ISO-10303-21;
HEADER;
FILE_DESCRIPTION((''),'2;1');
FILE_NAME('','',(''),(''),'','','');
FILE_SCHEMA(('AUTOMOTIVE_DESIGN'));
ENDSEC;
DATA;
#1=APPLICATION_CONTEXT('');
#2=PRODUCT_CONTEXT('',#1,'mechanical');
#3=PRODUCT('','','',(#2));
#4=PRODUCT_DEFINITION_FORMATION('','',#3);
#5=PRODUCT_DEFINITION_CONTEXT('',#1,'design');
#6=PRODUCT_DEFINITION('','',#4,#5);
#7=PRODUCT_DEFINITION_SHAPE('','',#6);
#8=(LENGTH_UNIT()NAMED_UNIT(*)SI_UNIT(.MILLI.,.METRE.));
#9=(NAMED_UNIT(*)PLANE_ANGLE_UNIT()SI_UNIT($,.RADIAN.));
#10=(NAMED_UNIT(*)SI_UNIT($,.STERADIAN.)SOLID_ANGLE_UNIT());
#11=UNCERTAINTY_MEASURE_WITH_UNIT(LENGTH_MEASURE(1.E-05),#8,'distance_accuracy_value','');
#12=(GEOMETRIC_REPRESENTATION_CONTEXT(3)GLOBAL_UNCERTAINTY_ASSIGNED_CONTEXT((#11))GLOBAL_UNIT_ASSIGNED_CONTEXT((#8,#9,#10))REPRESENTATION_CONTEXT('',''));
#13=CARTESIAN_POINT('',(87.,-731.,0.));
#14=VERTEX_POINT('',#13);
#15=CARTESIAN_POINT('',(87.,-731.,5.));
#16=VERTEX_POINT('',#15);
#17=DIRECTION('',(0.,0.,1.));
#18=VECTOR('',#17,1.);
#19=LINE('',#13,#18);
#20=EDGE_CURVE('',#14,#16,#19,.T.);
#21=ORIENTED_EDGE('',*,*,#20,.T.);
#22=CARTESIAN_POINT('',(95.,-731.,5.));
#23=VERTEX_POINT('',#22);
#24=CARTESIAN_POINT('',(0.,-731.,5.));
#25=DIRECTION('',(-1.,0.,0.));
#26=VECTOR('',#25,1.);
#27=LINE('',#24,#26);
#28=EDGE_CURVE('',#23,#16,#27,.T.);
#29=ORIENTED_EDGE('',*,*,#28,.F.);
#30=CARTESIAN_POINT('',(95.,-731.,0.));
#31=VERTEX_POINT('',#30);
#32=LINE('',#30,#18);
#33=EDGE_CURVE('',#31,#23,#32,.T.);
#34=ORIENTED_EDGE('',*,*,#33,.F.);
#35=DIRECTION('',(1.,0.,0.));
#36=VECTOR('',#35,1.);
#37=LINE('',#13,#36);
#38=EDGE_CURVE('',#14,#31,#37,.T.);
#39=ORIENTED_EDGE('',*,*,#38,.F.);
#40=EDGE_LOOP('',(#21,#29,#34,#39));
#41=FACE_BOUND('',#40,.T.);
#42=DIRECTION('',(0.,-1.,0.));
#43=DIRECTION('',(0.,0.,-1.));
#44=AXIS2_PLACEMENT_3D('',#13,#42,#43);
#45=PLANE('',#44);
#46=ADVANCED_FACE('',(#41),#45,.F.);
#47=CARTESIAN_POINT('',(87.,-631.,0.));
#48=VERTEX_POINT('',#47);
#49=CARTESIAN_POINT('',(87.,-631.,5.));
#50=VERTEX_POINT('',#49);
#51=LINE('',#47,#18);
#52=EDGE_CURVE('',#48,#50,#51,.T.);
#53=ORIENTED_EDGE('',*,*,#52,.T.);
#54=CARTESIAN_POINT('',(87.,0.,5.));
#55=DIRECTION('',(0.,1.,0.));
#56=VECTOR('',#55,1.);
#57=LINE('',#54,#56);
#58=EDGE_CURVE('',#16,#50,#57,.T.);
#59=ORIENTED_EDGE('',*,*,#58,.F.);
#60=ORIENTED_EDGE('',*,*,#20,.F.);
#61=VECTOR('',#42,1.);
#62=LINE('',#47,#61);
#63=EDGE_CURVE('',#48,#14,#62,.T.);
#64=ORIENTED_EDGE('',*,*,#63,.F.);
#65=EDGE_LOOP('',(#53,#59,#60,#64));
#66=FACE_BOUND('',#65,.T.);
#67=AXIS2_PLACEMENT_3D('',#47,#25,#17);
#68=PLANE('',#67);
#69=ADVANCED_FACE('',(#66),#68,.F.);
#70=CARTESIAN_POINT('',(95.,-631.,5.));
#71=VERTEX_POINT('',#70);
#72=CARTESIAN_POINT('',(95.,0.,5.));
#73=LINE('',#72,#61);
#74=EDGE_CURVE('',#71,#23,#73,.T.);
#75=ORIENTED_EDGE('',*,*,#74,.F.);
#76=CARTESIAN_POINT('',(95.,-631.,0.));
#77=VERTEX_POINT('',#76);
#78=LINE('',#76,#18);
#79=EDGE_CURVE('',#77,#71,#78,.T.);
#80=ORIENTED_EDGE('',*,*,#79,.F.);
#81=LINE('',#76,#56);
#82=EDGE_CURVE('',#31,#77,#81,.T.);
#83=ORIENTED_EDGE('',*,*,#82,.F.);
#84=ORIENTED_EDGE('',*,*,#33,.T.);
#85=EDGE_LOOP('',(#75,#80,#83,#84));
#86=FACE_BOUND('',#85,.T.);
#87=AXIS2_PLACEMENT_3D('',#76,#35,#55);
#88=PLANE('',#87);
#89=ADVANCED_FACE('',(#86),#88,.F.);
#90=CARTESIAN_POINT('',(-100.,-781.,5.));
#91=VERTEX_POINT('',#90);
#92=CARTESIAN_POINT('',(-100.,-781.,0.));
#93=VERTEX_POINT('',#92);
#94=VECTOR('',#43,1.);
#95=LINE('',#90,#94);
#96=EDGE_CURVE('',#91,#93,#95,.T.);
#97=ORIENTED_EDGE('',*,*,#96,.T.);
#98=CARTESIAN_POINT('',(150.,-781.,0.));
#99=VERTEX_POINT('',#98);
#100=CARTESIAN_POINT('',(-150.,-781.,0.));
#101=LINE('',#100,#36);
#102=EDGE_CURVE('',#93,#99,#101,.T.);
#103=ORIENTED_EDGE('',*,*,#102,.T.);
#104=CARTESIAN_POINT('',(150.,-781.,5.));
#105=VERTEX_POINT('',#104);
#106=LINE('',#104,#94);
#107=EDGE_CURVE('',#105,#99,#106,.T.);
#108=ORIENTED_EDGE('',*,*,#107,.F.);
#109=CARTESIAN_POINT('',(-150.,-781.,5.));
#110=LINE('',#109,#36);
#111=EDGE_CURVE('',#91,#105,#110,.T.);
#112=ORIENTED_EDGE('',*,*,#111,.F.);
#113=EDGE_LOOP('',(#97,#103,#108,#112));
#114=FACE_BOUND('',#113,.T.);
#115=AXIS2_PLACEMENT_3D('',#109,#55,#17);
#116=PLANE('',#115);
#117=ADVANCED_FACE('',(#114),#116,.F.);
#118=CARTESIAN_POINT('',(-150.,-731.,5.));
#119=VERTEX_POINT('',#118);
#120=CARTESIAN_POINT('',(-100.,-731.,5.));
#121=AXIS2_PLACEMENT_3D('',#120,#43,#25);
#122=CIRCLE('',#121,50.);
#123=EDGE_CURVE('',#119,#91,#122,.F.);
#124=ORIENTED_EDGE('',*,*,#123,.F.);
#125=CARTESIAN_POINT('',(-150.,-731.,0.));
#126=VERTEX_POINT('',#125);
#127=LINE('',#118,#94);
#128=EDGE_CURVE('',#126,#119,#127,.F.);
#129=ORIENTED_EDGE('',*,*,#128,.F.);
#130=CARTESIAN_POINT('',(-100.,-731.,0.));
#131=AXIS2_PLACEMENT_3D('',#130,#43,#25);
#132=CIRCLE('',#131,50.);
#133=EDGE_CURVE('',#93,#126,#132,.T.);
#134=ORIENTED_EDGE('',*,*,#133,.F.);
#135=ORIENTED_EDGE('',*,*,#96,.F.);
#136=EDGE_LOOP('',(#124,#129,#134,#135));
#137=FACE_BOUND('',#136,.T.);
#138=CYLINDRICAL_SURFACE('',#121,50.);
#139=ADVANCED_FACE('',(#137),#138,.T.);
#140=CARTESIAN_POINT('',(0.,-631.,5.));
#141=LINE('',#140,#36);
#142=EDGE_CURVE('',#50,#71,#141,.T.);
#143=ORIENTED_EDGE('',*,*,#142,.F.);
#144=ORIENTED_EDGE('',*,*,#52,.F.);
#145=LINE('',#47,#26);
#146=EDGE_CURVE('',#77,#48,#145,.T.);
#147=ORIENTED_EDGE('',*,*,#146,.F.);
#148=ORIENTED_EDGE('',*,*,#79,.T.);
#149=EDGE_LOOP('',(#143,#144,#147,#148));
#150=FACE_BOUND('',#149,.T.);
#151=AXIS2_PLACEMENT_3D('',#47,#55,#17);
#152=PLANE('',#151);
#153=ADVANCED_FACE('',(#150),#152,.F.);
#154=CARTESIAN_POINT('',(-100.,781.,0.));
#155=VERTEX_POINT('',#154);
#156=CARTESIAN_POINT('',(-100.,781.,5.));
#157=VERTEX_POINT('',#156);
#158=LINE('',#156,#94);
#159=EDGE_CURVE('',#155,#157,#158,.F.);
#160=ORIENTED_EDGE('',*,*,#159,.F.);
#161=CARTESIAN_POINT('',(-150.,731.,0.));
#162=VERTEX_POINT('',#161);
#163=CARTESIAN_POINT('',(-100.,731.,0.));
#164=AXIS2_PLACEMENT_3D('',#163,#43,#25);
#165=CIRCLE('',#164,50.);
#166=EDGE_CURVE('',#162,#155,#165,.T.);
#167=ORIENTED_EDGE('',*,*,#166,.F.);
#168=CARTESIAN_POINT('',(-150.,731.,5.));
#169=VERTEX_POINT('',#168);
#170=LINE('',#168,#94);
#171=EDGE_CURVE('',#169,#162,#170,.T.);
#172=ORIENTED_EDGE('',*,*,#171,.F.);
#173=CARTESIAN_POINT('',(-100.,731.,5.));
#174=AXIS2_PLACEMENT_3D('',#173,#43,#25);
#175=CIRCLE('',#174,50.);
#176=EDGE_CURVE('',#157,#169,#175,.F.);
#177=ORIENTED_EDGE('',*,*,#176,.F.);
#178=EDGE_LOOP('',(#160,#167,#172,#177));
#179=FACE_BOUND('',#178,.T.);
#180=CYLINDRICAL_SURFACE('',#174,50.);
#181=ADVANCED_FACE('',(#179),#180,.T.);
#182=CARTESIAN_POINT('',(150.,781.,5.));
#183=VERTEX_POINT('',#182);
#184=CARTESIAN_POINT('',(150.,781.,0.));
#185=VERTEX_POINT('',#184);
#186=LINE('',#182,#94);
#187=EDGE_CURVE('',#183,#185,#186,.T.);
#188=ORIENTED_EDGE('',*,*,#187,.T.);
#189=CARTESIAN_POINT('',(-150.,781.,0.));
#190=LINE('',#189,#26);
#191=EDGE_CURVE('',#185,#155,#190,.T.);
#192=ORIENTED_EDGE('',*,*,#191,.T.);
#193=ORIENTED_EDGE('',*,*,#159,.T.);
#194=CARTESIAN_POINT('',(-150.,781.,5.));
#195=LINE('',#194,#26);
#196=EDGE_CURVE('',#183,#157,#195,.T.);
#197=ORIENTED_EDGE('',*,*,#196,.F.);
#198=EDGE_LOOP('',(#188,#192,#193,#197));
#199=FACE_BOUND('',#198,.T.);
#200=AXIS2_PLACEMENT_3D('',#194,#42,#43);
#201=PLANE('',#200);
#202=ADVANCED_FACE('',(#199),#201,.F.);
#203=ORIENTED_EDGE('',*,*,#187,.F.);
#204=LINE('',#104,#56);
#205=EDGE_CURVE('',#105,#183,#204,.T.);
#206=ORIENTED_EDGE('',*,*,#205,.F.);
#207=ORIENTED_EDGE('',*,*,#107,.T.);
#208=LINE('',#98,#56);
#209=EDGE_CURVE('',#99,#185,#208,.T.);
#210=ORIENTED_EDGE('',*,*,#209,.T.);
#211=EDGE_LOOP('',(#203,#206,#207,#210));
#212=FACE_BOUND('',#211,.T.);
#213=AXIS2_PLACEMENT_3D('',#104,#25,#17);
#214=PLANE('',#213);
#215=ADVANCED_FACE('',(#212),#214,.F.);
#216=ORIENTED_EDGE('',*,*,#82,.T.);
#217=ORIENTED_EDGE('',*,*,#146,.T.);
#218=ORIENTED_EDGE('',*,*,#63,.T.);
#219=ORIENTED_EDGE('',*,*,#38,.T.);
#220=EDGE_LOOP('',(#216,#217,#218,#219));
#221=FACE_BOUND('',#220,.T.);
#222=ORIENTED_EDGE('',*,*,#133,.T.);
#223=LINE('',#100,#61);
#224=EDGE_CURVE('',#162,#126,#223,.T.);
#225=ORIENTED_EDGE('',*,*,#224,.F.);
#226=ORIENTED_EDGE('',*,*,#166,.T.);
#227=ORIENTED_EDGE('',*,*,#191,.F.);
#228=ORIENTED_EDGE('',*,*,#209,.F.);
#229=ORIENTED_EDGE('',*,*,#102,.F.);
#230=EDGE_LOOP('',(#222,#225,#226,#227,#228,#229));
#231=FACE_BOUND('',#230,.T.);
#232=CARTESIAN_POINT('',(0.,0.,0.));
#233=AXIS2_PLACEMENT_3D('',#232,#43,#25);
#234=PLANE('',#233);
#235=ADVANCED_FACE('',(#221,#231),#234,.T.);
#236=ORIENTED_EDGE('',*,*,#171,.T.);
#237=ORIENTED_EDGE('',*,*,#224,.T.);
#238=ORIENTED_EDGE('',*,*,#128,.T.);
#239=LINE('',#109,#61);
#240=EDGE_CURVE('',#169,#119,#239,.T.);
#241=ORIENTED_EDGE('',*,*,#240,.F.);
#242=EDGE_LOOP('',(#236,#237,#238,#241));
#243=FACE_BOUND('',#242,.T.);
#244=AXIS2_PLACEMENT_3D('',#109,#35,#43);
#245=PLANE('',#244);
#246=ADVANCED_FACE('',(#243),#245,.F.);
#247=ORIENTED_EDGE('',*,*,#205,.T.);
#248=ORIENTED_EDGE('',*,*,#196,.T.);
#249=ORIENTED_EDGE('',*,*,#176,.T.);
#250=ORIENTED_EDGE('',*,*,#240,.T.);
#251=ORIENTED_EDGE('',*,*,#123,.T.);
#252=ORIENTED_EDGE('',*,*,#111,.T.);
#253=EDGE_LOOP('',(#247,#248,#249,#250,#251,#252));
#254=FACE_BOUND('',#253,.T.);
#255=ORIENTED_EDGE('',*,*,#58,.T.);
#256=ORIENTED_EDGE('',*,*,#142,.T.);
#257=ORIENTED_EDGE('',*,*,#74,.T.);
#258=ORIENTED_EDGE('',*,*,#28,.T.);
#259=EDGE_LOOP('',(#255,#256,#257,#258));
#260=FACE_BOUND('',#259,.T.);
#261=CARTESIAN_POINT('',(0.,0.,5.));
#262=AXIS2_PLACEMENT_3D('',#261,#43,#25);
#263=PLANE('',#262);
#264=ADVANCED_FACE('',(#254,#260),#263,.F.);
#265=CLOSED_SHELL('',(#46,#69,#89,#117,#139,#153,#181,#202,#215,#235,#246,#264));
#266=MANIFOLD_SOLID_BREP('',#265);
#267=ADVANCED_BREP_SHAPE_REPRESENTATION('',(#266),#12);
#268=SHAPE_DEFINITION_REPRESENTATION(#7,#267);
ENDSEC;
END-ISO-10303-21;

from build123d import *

# Parameters (mm, degrees)
SKETCH_1_W               = 300
SKETCH_1_H               = 1562
EXTRUDE_1_DEPTH          = 5
FILLET_1_R               = 50
CUT_EXTRUDE_1_DEPTH      = 796.289884256
CUT_EXTRUDE_1_DEPTH_BACK = 796.289884256
SKETCH_2_W               = 8
SKETCH_2_H               = 100


with BuildPart() as part:
    # Эскиз1 → Бобышка-Вытянуть1 (new body)
    with BuildSketch(Plane.XY):
        Rectangle(SKETCH_1_W, SKETCH_1_H)
    extrude(amount=EXTRUDE_1_DEPTH)

    # Скругление1
    fillet_1_edges = [part.edges().sort_by_distance(p)[0] for p in [
        (-150, -781, 2.5),
        (-150, 781, 2.5),
    ]]
    fillet(fillet_1_edges, radius=FILLET_1_R)

    # Эскиз2 → Вырез-Вытянуть1 (cut, two sides: drawn at the far end of the back side and taken through both)
    with BuildSketch(Plane.XY.offset(5).offset(-CUT_EXTRUDE_1_DEPTH_BACK)):
        with Locations((91, -681)):
            Rectangle(SKETCH_2_W, SKETCH_2_H)
    extrude(amount=CUT_EXTRUDE_1_DEPTH + CUT_EXTRUDE_1_DEPTH_BACK, mode=Mode.SUBTRACT)


solid = part.part
